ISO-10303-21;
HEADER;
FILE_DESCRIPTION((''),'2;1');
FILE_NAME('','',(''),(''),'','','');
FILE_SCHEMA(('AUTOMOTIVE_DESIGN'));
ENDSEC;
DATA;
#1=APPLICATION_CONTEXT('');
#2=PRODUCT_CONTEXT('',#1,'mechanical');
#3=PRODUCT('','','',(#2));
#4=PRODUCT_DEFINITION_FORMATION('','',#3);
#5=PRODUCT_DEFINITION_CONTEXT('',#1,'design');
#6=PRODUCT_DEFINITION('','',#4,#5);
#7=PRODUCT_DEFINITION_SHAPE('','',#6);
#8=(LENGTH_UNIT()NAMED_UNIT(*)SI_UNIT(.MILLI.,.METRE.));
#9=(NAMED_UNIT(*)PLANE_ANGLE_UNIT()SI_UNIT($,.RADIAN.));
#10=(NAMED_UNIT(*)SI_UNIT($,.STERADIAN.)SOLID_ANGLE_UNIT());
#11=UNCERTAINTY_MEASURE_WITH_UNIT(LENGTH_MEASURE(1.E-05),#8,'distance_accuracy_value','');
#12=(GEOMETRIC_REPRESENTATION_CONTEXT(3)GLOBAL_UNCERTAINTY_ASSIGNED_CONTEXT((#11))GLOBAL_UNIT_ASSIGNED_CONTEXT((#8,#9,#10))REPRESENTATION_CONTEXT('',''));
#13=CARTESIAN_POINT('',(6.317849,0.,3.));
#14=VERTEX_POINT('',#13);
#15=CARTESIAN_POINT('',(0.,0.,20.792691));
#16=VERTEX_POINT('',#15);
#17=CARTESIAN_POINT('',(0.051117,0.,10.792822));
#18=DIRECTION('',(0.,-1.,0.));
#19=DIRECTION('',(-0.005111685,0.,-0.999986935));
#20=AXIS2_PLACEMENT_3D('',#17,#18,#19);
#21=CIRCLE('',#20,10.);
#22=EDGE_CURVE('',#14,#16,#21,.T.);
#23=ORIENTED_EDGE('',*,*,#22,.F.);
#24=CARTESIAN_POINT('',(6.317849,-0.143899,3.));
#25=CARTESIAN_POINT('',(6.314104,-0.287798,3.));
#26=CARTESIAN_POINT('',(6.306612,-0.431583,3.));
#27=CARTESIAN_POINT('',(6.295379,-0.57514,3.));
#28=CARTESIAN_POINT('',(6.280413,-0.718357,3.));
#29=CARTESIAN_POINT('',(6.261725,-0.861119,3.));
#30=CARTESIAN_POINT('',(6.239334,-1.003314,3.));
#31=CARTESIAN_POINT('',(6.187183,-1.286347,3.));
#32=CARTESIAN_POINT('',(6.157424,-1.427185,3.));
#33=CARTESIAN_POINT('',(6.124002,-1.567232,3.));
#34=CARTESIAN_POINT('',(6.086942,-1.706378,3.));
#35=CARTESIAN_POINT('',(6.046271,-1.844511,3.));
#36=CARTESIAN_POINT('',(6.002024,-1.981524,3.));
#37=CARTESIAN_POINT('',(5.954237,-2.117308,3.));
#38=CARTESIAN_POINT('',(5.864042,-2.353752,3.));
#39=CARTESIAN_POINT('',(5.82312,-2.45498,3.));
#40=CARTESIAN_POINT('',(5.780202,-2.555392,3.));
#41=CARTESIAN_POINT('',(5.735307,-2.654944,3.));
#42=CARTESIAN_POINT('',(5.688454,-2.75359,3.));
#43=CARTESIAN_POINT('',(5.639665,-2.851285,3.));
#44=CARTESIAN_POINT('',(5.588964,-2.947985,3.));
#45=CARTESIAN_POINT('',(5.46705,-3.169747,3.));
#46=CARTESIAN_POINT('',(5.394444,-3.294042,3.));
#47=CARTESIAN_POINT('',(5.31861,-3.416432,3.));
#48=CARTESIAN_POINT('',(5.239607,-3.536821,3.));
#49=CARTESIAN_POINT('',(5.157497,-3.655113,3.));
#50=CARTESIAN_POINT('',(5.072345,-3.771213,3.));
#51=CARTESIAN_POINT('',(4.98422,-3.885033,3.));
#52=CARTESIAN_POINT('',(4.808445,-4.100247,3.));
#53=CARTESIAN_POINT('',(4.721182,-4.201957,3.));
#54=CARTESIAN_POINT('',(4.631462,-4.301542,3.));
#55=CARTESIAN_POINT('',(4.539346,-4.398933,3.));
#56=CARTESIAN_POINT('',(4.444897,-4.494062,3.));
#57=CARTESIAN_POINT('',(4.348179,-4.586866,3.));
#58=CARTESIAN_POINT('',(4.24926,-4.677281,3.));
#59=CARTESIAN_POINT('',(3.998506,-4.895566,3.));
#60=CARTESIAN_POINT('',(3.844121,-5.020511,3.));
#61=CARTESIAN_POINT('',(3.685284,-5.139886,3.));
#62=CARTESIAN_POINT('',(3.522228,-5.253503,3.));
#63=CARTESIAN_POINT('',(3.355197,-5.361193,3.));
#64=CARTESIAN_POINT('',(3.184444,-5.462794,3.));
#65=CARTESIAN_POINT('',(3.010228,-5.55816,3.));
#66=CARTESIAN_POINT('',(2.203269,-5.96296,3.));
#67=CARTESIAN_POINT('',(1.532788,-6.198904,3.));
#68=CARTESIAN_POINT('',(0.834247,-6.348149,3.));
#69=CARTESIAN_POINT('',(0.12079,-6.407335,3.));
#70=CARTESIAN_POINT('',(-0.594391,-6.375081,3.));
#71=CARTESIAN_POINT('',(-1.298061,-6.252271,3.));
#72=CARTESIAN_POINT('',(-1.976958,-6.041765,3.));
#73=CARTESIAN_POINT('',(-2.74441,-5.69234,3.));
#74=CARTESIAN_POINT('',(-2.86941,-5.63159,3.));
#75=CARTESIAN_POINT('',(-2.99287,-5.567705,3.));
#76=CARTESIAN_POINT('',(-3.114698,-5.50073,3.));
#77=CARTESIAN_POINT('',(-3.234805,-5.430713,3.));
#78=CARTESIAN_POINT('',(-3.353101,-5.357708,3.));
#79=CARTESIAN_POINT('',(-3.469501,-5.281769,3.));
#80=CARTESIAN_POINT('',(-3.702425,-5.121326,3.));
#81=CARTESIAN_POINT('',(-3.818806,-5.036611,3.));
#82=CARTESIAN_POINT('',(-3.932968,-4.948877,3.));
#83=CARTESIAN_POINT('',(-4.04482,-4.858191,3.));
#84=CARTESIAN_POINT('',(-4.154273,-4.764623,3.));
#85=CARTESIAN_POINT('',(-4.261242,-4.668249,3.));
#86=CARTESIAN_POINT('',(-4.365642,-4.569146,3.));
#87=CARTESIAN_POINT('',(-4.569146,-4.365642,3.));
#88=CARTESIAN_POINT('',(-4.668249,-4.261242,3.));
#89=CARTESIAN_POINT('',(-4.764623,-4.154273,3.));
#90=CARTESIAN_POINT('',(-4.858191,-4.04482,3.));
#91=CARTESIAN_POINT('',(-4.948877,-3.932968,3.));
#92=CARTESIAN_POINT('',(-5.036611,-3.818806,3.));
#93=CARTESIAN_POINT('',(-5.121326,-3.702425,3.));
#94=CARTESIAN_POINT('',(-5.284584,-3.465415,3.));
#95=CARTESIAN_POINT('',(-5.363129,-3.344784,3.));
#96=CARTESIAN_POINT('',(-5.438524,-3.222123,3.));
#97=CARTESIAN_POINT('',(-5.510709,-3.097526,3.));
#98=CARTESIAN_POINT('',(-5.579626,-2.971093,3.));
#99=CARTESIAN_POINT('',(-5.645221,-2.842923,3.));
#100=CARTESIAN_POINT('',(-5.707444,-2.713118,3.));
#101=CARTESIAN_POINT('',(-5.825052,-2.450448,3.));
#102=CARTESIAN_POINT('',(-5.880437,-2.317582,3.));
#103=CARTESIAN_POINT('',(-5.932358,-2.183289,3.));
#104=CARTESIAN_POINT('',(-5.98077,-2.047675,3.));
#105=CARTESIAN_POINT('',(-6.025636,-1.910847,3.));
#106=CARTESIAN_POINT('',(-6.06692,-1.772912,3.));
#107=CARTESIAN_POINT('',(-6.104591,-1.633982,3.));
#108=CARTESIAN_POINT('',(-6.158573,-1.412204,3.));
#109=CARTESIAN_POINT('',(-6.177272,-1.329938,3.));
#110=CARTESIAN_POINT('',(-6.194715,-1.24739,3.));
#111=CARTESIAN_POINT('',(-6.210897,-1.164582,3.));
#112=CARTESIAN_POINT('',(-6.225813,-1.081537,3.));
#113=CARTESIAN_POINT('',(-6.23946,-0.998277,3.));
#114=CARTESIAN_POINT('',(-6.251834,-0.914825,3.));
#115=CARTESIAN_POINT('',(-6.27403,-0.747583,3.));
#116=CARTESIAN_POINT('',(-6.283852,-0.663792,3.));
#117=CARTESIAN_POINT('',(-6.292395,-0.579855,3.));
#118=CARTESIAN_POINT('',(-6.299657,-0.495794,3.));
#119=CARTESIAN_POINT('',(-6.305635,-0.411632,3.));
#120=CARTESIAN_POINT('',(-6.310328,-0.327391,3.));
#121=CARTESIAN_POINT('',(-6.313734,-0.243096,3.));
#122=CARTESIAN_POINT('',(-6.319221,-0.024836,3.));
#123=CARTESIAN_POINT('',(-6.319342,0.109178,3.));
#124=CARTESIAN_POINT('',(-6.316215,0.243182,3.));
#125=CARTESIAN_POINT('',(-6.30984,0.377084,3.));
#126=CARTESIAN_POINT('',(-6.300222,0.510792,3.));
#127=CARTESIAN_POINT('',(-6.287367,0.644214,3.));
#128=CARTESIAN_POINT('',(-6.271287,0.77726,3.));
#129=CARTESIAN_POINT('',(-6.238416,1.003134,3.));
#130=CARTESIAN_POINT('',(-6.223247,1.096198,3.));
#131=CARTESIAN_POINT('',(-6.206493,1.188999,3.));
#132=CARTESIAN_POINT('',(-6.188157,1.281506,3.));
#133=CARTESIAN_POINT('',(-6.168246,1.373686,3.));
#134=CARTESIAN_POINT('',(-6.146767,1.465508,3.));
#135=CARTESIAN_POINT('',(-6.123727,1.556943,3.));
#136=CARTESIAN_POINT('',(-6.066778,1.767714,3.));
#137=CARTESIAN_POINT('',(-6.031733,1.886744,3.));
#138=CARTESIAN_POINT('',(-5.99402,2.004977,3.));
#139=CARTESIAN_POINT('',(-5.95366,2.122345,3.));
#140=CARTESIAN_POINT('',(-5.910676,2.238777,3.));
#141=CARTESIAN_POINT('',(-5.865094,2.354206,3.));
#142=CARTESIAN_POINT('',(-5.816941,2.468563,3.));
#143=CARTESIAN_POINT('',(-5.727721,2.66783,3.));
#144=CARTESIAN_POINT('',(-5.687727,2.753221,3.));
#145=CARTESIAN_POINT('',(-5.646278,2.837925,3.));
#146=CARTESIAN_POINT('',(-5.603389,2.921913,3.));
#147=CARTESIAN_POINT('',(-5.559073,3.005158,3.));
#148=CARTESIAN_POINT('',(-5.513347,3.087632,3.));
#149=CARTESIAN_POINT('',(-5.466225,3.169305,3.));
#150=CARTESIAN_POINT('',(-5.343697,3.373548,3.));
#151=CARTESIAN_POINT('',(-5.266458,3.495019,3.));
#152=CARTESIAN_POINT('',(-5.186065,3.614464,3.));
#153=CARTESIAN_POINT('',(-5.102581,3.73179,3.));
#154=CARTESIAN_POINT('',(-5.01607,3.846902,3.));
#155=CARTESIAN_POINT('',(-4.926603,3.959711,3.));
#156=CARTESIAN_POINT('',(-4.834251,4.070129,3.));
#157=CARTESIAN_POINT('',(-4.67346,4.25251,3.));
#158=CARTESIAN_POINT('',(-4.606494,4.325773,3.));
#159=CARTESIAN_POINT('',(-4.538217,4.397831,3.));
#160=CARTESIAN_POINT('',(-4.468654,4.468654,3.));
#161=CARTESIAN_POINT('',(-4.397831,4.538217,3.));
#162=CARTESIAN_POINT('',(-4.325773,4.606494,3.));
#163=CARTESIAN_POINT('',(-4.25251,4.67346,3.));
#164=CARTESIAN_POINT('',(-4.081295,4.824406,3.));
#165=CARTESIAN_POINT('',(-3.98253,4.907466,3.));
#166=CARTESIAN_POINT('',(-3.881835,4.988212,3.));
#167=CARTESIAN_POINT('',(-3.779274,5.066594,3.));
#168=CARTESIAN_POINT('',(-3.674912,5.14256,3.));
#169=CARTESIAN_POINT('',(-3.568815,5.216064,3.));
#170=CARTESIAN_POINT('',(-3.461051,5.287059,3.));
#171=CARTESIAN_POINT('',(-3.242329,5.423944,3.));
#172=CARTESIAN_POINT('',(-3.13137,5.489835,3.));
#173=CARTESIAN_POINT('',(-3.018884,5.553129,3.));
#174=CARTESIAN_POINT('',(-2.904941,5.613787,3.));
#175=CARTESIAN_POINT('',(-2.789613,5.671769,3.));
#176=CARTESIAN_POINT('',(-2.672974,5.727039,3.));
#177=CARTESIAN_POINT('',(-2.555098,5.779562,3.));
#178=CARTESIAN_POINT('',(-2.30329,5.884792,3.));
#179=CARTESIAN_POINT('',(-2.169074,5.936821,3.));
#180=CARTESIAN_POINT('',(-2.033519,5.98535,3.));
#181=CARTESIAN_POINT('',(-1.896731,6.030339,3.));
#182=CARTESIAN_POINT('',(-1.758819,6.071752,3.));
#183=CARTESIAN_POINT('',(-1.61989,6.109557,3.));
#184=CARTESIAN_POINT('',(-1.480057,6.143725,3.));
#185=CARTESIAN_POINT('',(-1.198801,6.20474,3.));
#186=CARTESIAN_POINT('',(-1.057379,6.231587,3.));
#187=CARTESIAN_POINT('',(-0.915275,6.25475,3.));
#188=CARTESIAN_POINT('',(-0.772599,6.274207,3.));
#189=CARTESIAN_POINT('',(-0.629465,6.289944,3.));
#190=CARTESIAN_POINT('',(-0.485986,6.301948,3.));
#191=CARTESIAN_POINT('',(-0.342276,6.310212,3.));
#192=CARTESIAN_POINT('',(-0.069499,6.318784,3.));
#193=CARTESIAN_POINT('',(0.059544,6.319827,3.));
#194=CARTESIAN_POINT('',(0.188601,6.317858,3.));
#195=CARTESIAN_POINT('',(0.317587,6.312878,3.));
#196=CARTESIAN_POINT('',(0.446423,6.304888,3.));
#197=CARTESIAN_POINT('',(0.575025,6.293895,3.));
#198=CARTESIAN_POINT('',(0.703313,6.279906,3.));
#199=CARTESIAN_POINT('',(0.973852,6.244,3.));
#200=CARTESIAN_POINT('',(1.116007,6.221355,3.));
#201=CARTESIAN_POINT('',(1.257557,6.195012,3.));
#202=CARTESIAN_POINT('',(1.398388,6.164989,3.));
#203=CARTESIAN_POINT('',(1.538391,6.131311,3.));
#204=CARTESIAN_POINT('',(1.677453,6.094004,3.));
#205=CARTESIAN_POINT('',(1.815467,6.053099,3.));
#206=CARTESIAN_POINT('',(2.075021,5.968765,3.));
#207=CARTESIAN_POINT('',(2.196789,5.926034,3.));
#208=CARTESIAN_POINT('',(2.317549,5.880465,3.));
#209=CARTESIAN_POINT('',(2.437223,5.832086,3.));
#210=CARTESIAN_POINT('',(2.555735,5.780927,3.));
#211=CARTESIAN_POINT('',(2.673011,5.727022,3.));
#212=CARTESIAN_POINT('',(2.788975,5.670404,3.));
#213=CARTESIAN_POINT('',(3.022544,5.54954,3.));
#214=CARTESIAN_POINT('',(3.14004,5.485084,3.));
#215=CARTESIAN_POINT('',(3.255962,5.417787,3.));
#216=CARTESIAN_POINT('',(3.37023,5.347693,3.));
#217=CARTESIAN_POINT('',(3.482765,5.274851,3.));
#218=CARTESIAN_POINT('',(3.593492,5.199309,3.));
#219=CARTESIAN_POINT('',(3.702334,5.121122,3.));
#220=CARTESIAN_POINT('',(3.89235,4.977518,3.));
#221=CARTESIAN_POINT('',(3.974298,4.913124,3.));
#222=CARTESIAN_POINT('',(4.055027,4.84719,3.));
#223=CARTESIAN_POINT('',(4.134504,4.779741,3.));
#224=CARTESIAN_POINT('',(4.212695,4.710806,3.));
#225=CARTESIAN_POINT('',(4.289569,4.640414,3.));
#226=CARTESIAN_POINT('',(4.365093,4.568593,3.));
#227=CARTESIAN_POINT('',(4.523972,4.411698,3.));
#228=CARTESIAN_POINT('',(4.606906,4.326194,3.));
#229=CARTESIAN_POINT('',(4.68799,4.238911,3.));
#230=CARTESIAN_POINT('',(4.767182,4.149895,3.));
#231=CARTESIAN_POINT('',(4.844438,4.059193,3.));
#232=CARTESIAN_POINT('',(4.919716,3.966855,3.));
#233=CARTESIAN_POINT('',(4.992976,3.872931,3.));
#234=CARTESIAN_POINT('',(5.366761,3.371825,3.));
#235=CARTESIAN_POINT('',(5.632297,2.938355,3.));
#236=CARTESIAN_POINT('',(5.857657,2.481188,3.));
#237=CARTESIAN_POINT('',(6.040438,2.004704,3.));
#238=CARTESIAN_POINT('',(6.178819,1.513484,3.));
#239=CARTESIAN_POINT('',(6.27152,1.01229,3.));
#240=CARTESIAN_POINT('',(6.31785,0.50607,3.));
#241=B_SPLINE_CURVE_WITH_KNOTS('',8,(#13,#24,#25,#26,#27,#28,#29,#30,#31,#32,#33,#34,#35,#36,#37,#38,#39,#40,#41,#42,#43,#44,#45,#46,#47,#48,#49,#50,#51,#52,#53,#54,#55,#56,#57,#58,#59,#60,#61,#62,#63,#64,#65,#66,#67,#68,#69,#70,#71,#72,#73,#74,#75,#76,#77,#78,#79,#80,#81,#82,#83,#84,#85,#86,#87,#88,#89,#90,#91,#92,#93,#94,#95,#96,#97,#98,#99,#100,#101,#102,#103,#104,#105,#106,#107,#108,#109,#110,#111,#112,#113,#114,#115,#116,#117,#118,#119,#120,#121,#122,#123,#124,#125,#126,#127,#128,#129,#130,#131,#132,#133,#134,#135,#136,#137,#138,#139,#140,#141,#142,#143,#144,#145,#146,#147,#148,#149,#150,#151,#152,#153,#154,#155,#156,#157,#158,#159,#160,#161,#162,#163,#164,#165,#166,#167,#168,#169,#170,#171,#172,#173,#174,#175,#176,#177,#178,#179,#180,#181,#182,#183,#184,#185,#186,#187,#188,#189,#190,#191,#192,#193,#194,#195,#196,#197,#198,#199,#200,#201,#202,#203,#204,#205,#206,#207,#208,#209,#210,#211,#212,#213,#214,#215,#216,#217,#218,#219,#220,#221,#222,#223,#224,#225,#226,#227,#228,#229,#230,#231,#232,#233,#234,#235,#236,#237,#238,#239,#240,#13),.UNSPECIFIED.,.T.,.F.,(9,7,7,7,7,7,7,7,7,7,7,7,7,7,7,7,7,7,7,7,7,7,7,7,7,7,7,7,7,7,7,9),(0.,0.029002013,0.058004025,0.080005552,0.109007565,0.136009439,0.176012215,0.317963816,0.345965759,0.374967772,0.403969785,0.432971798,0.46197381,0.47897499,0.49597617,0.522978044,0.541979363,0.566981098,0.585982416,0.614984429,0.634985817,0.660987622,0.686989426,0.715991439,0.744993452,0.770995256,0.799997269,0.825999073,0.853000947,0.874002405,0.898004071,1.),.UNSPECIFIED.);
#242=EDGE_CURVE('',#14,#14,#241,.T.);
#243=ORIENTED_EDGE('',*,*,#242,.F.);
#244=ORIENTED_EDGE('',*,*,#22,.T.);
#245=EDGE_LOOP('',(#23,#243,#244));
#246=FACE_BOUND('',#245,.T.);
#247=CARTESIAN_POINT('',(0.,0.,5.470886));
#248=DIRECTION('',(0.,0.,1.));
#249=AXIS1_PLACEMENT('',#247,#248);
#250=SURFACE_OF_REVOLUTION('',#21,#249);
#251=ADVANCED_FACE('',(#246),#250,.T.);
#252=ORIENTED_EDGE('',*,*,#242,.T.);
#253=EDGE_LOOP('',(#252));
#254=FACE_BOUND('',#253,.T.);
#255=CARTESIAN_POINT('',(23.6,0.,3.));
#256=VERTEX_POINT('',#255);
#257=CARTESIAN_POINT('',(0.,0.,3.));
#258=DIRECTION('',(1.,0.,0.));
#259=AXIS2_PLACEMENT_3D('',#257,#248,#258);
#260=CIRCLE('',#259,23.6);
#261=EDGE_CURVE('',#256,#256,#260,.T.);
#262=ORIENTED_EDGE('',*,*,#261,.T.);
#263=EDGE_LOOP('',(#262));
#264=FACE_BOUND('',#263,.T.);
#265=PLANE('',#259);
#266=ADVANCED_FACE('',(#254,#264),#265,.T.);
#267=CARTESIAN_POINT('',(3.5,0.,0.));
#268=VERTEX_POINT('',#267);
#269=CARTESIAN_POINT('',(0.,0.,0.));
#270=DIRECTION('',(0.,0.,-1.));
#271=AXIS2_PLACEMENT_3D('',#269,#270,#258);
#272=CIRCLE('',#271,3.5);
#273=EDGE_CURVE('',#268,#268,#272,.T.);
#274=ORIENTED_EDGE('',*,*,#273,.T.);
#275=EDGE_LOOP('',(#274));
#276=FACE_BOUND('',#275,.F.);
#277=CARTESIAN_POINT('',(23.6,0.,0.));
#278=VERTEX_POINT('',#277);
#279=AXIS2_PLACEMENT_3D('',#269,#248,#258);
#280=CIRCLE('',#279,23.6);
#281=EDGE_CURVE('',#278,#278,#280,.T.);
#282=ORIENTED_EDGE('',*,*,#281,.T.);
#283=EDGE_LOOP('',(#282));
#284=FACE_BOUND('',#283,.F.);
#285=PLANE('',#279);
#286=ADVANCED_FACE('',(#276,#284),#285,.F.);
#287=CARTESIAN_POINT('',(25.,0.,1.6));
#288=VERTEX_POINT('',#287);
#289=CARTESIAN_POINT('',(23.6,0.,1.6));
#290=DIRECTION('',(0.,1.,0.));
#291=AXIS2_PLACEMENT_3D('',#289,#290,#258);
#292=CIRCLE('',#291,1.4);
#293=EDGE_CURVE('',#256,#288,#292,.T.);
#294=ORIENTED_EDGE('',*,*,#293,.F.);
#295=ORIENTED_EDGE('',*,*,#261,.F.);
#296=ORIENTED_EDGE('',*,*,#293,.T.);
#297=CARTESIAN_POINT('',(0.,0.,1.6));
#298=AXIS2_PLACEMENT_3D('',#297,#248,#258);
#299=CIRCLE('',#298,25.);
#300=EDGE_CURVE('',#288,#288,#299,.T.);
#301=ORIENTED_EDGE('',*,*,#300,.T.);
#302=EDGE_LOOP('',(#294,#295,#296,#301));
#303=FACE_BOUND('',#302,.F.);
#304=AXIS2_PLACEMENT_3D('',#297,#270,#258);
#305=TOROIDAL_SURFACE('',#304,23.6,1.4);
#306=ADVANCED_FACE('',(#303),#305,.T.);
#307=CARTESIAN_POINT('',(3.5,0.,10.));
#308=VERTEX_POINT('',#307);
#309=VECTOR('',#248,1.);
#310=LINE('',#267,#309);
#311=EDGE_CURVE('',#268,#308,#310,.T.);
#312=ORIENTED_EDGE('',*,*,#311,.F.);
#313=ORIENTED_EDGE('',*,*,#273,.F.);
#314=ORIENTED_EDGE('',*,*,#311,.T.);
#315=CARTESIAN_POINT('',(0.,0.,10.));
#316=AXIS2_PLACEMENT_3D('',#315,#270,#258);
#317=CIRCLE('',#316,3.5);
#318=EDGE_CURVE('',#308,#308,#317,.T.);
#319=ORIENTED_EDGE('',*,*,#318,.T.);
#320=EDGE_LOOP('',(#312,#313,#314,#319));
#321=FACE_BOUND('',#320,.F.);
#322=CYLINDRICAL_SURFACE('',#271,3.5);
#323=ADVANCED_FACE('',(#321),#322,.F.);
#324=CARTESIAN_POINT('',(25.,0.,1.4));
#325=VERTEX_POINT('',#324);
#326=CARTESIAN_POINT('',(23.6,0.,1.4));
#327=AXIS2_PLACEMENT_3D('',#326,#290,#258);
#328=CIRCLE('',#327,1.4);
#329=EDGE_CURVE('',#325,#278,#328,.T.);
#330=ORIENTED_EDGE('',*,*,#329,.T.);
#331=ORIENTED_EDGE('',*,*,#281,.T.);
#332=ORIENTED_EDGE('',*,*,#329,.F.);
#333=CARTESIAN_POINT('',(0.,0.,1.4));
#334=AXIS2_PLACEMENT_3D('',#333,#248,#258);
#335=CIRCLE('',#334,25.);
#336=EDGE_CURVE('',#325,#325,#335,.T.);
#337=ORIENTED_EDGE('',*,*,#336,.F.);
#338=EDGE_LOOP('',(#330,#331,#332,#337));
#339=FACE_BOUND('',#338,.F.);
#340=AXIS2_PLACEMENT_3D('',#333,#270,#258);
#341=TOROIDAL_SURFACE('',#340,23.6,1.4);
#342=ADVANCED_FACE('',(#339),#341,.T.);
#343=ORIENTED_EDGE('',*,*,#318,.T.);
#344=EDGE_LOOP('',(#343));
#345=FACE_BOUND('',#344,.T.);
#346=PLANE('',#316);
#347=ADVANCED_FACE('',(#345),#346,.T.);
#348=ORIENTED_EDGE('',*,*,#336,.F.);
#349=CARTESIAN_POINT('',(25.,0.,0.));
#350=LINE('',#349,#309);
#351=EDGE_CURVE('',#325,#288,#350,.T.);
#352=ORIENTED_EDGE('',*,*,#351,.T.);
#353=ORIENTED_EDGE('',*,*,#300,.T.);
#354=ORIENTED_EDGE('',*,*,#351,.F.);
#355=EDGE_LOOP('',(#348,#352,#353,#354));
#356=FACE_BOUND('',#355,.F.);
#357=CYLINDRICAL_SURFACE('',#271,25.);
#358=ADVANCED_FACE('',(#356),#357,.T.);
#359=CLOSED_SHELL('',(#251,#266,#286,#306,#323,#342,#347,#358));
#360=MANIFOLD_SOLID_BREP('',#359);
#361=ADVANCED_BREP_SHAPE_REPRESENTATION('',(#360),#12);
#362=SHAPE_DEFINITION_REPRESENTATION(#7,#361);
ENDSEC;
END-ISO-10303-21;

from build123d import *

# Parameters (mm, degrees)
F0_R     = 25
F1_DEPTH = 3
F4_R     = 1.4
F5_R     = 3.5
F6_DEPTH = 10


with BuildPart() as f1:
    # F0 (on Top) → F1 (new body)
    with BuildSketch(Plane.XY):
        Circle(F0_R)
    extrude(amount=F1_DEPTH)

    # F2 (on Front) → F3 (revolve)
    with BuildSketch(Plane.XZ):
        with BuildLine():
            Line((0, 10.14882), (0, 0.792952))
            ThreePointArc((0, 0.792952), (10.051117, 10.792821), (0, 20.792691))
            Line((0, 20.792691), (0, 10.14882))
        make_face()
    revolve(axis=Axis((0, 0, 5.470886), (0, 0, 1)))

    # F4
    f4_edges = [f1.edges().sort_by_distance(p)[0] for p in [
        (-25, 0, 0),
        (-25, 0, 3),
    ]]
    fillet(f4_edges, radius=F4_R)

    # F5 (on face) → F6 (cut)
    with BuildSketch(Plane(origin=(0, 0, 0), x_dir=(1, 0, 0), z_dir=(0, 0, -1))):
        Circle(F5_R)
    extrude(amount=-F6_DEPTH, mode=Mode.SUBTRACT)


solid = f1.part
